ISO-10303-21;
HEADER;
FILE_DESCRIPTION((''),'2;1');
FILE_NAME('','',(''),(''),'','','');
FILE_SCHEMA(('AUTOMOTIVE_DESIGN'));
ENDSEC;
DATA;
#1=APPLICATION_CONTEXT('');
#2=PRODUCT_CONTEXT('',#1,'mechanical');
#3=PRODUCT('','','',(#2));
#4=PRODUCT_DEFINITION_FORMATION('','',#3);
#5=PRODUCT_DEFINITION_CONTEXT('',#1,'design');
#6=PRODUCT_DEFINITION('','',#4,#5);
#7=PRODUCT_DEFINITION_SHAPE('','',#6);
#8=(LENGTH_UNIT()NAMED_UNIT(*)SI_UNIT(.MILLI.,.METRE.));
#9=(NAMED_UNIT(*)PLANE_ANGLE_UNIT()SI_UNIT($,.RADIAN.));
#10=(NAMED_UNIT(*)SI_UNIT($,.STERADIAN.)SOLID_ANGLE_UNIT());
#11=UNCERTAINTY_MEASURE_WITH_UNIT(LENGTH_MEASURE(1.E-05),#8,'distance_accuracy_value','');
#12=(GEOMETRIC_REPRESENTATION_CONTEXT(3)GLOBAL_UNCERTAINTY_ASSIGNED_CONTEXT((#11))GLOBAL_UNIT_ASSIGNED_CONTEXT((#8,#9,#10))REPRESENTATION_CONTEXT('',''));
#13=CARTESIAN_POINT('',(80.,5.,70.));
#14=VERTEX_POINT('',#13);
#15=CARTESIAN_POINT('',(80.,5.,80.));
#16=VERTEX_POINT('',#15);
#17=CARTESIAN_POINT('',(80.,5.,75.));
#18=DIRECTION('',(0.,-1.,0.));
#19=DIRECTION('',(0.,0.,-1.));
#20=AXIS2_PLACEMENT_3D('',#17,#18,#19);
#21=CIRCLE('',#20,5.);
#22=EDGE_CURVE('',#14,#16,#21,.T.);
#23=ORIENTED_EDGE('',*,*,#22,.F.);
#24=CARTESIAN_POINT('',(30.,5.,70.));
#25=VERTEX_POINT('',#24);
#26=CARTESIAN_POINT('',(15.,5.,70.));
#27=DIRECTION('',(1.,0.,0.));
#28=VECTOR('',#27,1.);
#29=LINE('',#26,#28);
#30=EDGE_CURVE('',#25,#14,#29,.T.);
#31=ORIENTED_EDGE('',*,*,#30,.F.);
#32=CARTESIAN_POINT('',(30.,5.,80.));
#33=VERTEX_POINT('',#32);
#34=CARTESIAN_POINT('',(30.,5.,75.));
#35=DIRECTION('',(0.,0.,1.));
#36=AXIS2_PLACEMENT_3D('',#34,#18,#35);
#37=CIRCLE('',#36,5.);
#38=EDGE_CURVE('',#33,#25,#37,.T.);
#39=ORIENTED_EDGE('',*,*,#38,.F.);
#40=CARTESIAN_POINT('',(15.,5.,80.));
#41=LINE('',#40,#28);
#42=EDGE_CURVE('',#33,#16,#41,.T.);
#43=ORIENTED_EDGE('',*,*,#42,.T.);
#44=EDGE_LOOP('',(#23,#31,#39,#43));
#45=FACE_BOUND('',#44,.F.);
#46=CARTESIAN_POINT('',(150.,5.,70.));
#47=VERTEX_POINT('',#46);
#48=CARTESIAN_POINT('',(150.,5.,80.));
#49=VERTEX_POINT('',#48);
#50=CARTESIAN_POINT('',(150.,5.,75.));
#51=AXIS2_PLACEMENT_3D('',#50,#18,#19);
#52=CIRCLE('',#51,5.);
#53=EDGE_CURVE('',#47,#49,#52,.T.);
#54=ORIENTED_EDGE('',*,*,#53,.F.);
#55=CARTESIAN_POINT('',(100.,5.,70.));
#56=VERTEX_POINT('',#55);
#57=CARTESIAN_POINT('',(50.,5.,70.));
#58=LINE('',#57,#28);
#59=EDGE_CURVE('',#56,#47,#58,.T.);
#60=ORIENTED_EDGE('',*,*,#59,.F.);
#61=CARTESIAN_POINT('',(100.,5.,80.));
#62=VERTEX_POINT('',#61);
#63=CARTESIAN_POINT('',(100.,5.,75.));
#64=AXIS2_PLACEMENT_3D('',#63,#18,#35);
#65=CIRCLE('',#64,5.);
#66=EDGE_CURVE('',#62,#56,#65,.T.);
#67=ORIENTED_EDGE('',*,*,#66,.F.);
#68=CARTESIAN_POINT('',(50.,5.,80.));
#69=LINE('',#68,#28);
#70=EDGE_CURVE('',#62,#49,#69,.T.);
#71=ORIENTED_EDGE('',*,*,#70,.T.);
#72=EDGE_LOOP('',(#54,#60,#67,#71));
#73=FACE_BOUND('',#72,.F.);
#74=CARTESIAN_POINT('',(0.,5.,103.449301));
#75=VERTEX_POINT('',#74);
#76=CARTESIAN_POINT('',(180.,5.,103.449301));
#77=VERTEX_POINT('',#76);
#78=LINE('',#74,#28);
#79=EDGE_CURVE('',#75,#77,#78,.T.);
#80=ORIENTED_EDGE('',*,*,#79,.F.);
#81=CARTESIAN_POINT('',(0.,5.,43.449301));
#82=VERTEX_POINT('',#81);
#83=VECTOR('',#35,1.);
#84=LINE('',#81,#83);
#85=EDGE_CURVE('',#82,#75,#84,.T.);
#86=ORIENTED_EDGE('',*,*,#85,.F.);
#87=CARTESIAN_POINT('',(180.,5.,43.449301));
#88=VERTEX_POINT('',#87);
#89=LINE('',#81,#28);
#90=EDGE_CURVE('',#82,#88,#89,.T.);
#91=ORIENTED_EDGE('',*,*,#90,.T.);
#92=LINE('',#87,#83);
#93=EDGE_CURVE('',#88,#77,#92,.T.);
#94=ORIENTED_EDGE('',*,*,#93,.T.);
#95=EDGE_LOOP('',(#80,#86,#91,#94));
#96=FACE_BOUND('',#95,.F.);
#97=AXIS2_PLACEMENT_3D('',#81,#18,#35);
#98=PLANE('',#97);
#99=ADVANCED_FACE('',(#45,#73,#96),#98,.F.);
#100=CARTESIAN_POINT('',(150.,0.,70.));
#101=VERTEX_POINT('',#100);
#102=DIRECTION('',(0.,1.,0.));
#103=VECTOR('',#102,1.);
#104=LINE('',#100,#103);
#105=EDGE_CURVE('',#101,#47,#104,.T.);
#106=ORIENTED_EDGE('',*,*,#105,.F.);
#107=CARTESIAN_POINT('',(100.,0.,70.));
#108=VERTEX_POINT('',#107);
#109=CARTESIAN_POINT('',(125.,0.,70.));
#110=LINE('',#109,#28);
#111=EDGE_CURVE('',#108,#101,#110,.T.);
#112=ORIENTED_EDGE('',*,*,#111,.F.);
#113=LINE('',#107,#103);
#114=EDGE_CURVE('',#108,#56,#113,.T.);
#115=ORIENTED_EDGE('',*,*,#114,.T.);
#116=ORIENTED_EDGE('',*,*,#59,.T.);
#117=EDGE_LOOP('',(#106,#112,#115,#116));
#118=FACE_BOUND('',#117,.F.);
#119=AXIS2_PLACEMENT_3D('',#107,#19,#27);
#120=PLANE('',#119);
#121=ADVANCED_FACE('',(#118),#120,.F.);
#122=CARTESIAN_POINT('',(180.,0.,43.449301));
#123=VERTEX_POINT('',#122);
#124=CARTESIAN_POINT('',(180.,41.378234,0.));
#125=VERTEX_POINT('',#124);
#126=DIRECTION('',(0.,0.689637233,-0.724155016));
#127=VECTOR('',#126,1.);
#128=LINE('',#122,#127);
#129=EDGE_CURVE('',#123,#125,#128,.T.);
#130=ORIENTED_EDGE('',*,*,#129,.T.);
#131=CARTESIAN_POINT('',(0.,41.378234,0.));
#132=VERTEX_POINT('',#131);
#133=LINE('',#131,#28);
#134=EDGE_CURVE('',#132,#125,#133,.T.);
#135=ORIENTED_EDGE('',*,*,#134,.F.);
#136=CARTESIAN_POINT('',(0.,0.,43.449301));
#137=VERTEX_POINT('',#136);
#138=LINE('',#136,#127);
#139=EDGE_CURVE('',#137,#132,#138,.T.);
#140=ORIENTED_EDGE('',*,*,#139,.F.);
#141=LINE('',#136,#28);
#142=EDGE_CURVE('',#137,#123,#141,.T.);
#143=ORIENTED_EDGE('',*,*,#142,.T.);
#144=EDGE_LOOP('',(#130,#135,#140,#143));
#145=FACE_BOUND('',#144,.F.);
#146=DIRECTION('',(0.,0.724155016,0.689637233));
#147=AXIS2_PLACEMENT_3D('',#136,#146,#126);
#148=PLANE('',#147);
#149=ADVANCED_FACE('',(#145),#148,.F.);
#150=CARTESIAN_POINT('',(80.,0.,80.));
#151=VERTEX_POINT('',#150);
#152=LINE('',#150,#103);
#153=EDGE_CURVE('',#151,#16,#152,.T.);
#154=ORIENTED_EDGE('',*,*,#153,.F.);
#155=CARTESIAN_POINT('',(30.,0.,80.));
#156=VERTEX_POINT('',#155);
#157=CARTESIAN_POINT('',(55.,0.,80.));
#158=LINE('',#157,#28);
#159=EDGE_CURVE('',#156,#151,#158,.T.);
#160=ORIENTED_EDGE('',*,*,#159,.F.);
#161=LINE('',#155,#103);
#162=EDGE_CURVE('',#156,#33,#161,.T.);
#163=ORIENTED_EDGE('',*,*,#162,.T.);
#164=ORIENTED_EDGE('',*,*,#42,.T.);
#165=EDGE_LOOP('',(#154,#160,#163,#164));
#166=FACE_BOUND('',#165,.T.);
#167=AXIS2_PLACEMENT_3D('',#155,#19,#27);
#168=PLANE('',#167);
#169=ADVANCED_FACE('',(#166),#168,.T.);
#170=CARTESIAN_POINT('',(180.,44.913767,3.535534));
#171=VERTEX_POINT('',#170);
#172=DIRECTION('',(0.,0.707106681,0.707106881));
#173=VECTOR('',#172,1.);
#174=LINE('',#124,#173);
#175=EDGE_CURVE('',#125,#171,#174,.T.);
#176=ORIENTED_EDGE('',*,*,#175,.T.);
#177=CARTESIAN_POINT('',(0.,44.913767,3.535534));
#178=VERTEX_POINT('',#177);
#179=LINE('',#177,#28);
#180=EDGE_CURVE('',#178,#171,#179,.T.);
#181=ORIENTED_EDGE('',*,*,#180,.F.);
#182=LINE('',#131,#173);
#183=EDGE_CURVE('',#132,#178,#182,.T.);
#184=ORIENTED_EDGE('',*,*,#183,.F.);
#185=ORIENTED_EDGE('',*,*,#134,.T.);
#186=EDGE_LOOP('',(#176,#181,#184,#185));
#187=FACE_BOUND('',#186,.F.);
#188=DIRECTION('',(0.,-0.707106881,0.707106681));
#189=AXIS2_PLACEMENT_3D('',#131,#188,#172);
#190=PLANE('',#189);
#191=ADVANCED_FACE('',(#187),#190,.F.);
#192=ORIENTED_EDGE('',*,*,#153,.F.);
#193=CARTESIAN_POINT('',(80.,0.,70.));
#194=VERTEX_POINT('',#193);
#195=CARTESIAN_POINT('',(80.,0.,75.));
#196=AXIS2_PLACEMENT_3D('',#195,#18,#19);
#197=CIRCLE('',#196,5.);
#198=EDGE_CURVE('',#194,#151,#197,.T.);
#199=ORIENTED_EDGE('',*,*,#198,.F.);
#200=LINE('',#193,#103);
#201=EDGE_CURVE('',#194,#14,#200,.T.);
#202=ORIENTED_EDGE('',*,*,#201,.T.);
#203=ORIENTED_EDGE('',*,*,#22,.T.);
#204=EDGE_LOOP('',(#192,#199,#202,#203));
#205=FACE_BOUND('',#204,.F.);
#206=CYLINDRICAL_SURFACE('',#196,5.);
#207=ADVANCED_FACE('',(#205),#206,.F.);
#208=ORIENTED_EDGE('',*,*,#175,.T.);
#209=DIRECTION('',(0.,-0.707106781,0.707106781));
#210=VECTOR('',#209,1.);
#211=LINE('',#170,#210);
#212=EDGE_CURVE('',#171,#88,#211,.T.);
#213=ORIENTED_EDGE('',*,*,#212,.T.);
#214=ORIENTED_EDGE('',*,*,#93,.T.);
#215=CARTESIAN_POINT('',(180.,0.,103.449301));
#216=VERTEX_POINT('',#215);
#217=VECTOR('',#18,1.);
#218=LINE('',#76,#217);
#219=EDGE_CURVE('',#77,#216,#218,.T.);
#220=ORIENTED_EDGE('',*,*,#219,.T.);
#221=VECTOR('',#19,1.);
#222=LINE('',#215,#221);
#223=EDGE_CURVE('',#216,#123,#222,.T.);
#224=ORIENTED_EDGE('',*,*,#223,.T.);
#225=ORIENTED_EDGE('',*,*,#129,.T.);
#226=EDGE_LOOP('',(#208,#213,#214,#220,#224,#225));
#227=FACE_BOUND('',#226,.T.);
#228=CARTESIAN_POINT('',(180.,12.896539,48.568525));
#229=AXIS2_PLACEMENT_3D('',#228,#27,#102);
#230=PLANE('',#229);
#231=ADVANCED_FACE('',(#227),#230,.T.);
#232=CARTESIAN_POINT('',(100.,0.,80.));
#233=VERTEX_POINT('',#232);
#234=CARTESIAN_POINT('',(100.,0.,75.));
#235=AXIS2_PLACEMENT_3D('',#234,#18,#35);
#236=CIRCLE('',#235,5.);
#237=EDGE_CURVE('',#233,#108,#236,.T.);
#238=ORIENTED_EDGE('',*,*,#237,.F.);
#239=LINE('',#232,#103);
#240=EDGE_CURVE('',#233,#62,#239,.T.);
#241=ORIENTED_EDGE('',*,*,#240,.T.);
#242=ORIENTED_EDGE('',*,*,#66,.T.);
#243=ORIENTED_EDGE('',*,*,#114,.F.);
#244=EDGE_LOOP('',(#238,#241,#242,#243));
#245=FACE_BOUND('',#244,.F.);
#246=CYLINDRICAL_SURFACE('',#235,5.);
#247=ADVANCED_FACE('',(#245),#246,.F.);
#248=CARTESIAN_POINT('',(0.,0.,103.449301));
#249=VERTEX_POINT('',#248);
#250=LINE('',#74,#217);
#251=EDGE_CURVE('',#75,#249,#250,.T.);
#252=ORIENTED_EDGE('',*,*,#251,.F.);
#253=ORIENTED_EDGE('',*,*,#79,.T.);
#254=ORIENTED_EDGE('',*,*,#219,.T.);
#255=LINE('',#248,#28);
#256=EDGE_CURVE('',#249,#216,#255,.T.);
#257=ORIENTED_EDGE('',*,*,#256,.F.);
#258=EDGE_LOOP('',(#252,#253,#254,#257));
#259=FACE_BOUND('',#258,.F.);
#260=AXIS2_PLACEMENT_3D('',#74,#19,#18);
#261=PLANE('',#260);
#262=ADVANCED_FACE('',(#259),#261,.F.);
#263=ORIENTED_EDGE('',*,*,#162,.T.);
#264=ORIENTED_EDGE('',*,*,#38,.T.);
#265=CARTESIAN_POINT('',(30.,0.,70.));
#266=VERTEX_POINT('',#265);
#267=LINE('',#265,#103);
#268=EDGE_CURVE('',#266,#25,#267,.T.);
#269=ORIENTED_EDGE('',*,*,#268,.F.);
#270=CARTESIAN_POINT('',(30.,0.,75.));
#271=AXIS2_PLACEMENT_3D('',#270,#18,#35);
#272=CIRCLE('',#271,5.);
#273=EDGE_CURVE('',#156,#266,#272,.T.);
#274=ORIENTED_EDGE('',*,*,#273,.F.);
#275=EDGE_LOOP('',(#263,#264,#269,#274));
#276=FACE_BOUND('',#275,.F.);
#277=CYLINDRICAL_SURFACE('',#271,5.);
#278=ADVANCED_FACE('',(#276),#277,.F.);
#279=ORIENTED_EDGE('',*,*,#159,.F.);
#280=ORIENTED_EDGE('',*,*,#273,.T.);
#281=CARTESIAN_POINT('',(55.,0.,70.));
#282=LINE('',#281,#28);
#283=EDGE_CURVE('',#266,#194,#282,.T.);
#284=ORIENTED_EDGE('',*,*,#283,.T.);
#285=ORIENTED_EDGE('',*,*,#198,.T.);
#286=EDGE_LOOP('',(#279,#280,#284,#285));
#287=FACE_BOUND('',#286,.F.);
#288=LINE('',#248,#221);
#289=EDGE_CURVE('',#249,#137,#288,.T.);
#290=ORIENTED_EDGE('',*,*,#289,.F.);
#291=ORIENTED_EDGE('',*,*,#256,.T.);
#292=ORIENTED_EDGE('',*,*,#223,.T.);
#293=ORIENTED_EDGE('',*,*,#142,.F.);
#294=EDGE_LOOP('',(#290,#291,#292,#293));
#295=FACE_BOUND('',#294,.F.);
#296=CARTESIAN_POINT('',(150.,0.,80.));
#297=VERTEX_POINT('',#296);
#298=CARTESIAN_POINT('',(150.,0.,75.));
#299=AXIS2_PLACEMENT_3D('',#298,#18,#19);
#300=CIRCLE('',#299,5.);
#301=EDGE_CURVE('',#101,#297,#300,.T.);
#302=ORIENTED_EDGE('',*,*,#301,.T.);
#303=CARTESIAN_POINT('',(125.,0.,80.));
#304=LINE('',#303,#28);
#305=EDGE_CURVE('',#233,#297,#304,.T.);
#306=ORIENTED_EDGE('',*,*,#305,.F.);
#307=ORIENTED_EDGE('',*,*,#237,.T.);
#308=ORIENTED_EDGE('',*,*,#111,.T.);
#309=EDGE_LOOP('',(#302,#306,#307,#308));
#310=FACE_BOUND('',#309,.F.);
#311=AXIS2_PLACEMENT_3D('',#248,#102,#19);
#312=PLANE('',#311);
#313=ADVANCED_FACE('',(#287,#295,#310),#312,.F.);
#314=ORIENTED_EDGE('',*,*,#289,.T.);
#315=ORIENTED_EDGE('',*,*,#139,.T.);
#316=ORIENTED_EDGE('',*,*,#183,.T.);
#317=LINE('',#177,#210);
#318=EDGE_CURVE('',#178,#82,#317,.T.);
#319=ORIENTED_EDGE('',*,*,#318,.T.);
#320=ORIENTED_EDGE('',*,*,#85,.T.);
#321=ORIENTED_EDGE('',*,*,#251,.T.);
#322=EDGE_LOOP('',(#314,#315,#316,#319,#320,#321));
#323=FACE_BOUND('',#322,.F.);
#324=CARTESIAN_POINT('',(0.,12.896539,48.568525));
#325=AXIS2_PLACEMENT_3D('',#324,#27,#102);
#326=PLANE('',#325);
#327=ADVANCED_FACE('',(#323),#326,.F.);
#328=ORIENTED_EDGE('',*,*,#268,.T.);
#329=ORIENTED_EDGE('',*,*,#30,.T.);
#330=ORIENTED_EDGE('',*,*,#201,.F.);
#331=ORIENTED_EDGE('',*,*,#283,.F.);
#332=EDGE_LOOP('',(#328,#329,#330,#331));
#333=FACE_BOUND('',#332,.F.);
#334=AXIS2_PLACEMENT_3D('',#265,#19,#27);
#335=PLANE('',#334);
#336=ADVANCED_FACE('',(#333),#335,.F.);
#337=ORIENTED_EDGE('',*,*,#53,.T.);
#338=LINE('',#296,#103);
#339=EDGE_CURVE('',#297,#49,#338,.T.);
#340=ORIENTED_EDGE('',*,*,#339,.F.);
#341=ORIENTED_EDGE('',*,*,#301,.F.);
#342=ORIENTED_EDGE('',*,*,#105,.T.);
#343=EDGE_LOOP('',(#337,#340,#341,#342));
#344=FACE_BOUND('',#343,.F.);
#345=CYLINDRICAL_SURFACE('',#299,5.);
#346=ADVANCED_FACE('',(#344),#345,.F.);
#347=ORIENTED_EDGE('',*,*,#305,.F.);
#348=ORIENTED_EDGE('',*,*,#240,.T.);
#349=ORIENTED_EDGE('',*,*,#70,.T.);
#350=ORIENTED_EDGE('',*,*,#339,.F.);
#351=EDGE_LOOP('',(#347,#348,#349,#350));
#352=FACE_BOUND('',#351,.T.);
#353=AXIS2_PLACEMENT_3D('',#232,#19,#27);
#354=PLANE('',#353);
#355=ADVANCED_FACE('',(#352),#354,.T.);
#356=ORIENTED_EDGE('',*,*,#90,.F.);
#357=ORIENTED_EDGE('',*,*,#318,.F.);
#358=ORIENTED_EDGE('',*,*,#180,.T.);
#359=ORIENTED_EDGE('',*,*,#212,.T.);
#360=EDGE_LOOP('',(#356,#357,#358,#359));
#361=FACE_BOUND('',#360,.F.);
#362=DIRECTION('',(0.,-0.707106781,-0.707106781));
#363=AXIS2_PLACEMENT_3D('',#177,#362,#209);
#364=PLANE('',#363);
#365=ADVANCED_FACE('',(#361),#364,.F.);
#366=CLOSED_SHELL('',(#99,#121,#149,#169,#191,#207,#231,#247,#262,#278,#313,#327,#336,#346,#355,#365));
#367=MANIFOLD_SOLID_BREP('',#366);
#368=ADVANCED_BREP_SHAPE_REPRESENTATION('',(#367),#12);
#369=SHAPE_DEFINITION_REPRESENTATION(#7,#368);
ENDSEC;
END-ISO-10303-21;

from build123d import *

# Parameters (mm, degrees)
F2_DEPTH = 180
F0_W     = 50
F0_H     = 10
F3_DEPTH = 25


with BuildPart() as f2:
    # F1 (on Right) → F2 (new body)
    with BuildSketch(Plane.YZ):
        Polygon((0, 103.449301), (0, 43.449301), (41.378234, 0), (44.913767, 3.535534), (5, 43.449301), (5, 103.449301), align=None)
    extrude(amount=F2_DEPTH)

    # F0 (on Front) → F3 (cut)
    with BuildSketch(Plane.XZ):
        with Locations((55, 75)):
            Rectangle(F0_W, F0_H)
        with BuildLine():
            ThreePointArc((80, 70), (85, 75), (80, 80))
            Line((80, 80), (80, 70))
        make_face()
        with BuildLine():
            Line((100, 70), (100, 80))
            ThreePointArc((100, 80), (95, 75), (100, 70))
        make_face()
        with Locations((125, 75)):
            Rectangle(F0_W, F0_H)
        with BuildLine():
            ThreePointArc((150, 70), (155, 75), (150, 80))
            Line((150, 80), (150, 70))
        make_face()
        with BuildLine():
            Line((30, 70), (30, 80))
            ThreePointArc((30, 80), (25, 75), (30, 70))
        make_face()
    extrude(amount=-F3_DEPTH, mode=Mode.SUBTRACT)


solid = f2.part
